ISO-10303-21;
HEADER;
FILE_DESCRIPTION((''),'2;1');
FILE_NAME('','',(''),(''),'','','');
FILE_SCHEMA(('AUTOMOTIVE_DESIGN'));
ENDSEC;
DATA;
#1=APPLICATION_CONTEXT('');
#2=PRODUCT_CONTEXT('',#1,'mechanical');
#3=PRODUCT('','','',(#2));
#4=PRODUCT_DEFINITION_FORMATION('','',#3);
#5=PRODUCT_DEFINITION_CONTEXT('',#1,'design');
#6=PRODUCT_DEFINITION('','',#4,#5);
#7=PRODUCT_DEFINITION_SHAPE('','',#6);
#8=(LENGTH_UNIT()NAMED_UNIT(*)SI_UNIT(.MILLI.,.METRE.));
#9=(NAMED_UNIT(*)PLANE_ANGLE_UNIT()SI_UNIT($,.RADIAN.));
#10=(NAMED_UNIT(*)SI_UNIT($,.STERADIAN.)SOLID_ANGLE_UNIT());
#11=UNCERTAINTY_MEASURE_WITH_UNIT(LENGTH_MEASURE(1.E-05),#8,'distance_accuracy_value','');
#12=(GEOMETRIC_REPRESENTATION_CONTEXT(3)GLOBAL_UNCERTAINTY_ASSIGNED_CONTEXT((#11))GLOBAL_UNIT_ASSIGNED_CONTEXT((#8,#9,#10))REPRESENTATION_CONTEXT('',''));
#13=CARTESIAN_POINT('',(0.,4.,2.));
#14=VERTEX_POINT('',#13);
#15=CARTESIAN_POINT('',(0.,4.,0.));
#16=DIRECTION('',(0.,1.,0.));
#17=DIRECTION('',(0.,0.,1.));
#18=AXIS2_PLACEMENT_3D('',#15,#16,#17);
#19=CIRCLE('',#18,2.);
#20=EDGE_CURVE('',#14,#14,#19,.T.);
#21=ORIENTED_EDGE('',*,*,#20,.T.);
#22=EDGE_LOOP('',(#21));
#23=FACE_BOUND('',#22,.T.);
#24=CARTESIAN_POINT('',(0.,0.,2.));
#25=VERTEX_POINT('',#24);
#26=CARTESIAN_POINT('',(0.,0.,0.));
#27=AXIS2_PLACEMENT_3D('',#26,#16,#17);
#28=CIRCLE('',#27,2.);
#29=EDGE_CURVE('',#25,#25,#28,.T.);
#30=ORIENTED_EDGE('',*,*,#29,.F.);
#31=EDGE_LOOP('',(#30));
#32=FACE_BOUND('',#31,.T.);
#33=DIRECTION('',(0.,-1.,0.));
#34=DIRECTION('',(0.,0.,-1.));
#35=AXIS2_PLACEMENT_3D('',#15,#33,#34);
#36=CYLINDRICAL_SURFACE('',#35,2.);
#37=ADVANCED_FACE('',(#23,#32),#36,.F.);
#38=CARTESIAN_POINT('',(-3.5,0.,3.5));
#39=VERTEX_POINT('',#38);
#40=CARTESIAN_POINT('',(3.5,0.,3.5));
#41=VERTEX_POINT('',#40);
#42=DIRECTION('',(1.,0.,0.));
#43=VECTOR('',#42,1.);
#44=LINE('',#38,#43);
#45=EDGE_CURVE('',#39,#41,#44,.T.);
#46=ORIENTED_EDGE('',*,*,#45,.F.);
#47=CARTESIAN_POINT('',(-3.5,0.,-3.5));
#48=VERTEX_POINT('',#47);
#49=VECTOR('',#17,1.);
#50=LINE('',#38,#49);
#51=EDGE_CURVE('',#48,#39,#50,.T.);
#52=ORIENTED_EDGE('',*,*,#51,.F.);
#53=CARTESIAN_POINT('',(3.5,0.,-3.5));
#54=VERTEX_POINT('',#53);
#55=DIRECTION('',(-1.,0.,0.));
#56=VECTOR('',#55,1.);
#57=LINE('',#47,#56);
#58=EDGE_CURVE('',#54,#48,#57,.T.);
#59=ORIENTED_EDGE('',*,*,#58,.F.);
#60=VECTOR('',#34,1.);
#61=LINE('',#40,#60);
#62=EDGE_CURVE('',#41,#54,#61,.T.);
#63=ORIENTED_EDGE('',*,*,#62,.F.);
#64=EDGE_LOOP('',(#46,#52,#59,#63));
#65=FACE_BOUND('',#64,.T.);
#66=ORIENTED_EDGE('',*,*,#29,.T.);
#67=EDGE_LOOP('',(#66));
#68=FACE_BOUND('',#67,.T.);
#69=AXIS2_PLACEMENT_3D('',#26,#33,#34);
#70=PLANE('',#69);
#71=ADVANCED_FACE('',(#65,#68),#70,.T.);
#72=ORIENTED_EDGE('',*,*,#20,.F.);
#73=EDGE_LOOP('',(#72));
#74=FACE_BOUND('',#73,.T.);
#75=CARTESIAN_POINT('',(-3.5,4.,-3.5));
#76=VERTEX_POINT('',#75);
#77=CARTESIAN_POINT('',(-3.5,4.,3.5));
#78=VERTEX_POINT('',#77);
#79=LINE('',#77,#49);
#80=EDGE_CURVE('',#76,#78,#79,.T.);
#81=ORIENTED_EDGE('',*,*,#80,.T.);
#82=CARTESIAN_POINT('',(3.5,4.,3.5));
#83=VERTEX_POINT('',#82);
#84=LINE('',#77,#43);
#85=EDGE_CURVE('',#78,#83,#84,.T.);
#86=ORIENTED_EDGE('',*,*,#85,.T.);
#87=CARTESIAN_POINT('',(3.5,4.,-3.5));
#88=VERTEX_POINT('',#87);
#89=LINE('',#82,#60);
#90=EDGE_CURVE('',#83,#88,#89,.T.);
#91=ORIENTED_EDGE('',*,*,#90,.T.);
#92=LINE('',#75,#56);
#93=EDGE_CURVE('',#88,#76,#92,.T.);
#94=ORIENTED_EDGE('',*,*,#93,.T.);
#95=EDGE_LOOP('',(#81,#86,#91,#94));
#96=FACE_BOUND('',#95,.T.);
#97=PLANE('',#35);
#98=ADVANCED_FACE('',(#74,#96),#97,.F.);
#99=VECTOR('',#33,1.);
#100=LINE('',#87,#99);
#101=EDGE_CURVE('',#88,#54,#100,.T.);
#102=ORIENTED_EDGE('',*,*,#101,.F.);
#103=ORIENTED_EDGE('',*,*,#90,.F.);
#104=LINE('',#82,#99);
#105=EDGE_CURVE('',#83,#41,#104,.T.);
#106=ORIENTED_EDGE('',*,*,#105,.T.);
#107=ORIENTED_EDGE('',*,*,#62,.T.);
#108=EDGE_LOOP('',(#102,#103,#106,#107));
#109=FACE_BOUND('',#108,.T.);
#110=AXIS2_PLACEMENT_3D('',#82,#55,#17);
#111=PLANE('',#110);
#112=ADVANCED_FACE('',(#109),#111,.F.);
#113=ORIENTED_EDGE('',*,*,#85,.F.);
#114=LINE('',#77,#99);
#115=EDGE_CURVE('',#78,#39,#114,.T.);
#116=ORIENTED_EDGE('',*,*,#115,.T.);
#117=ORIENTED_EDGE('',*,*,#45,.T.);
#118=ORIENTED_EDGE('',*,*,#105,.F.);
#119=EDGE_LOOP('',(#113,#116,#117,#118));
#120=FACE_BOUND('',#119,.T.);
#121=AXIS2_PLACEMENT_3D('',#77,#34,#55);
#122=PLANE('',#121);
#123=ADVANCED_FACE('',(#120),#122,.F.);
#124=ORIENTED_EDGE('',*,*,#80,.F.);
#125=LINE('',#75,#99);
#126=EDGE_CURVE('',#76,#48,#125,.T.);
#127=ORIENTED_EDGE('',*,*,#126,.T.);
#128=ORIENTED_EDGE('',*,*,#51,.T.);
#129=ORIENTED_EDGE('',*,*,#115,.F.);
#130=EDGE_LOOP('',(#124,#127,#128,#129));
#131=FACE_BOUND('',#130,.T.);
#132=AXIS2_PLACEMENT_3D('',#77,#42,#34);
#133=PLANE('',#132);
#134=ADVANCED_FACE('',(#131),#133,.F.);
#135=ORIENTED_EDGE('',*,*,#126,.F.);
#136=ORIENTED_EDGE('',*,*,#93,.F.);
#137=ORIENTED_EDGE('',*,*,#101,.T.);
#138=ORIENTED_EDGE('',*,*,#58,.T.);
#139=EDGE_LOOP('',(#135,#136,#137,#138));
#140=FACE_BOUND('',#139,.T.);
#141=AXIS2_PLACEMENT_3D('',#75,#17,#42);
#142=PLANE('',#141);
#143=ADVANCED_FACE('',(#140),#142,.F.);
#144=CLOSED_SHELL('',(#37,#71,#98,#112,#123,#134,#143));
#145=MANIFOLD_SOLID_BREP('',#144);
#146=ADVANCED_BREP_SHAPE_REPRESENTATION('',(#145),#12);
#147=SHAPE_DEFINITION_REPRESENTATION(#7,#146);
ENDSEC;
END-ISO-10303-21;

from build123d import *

# Parameters (mm, degrees)
SKETCH1_W           = 7
SKETCH1_H           = 7
SKETCH1_R           = 2
BOSS_EXTRUDE1_DEPTH = 4


with BuildPart() as part:
    # Sketch1 → Boss-Extrude1 (new body)
    with BuildSketch(Plane(origin=(0, 0, 0), x_dir=(1, 0, 0), z_dir=(0, 1, 0))):
        Rectangle(SKETCH1_W, SKETCH1_H)
        with Locations(Location((0, 0, 0), (0, 0, 270))):
            Circle(SKETCH1_R, mode=Mode.SUBTRACT)
    extrude(amount=BOSS_EXTRUDE1_DEPTH)


solid = part.part
